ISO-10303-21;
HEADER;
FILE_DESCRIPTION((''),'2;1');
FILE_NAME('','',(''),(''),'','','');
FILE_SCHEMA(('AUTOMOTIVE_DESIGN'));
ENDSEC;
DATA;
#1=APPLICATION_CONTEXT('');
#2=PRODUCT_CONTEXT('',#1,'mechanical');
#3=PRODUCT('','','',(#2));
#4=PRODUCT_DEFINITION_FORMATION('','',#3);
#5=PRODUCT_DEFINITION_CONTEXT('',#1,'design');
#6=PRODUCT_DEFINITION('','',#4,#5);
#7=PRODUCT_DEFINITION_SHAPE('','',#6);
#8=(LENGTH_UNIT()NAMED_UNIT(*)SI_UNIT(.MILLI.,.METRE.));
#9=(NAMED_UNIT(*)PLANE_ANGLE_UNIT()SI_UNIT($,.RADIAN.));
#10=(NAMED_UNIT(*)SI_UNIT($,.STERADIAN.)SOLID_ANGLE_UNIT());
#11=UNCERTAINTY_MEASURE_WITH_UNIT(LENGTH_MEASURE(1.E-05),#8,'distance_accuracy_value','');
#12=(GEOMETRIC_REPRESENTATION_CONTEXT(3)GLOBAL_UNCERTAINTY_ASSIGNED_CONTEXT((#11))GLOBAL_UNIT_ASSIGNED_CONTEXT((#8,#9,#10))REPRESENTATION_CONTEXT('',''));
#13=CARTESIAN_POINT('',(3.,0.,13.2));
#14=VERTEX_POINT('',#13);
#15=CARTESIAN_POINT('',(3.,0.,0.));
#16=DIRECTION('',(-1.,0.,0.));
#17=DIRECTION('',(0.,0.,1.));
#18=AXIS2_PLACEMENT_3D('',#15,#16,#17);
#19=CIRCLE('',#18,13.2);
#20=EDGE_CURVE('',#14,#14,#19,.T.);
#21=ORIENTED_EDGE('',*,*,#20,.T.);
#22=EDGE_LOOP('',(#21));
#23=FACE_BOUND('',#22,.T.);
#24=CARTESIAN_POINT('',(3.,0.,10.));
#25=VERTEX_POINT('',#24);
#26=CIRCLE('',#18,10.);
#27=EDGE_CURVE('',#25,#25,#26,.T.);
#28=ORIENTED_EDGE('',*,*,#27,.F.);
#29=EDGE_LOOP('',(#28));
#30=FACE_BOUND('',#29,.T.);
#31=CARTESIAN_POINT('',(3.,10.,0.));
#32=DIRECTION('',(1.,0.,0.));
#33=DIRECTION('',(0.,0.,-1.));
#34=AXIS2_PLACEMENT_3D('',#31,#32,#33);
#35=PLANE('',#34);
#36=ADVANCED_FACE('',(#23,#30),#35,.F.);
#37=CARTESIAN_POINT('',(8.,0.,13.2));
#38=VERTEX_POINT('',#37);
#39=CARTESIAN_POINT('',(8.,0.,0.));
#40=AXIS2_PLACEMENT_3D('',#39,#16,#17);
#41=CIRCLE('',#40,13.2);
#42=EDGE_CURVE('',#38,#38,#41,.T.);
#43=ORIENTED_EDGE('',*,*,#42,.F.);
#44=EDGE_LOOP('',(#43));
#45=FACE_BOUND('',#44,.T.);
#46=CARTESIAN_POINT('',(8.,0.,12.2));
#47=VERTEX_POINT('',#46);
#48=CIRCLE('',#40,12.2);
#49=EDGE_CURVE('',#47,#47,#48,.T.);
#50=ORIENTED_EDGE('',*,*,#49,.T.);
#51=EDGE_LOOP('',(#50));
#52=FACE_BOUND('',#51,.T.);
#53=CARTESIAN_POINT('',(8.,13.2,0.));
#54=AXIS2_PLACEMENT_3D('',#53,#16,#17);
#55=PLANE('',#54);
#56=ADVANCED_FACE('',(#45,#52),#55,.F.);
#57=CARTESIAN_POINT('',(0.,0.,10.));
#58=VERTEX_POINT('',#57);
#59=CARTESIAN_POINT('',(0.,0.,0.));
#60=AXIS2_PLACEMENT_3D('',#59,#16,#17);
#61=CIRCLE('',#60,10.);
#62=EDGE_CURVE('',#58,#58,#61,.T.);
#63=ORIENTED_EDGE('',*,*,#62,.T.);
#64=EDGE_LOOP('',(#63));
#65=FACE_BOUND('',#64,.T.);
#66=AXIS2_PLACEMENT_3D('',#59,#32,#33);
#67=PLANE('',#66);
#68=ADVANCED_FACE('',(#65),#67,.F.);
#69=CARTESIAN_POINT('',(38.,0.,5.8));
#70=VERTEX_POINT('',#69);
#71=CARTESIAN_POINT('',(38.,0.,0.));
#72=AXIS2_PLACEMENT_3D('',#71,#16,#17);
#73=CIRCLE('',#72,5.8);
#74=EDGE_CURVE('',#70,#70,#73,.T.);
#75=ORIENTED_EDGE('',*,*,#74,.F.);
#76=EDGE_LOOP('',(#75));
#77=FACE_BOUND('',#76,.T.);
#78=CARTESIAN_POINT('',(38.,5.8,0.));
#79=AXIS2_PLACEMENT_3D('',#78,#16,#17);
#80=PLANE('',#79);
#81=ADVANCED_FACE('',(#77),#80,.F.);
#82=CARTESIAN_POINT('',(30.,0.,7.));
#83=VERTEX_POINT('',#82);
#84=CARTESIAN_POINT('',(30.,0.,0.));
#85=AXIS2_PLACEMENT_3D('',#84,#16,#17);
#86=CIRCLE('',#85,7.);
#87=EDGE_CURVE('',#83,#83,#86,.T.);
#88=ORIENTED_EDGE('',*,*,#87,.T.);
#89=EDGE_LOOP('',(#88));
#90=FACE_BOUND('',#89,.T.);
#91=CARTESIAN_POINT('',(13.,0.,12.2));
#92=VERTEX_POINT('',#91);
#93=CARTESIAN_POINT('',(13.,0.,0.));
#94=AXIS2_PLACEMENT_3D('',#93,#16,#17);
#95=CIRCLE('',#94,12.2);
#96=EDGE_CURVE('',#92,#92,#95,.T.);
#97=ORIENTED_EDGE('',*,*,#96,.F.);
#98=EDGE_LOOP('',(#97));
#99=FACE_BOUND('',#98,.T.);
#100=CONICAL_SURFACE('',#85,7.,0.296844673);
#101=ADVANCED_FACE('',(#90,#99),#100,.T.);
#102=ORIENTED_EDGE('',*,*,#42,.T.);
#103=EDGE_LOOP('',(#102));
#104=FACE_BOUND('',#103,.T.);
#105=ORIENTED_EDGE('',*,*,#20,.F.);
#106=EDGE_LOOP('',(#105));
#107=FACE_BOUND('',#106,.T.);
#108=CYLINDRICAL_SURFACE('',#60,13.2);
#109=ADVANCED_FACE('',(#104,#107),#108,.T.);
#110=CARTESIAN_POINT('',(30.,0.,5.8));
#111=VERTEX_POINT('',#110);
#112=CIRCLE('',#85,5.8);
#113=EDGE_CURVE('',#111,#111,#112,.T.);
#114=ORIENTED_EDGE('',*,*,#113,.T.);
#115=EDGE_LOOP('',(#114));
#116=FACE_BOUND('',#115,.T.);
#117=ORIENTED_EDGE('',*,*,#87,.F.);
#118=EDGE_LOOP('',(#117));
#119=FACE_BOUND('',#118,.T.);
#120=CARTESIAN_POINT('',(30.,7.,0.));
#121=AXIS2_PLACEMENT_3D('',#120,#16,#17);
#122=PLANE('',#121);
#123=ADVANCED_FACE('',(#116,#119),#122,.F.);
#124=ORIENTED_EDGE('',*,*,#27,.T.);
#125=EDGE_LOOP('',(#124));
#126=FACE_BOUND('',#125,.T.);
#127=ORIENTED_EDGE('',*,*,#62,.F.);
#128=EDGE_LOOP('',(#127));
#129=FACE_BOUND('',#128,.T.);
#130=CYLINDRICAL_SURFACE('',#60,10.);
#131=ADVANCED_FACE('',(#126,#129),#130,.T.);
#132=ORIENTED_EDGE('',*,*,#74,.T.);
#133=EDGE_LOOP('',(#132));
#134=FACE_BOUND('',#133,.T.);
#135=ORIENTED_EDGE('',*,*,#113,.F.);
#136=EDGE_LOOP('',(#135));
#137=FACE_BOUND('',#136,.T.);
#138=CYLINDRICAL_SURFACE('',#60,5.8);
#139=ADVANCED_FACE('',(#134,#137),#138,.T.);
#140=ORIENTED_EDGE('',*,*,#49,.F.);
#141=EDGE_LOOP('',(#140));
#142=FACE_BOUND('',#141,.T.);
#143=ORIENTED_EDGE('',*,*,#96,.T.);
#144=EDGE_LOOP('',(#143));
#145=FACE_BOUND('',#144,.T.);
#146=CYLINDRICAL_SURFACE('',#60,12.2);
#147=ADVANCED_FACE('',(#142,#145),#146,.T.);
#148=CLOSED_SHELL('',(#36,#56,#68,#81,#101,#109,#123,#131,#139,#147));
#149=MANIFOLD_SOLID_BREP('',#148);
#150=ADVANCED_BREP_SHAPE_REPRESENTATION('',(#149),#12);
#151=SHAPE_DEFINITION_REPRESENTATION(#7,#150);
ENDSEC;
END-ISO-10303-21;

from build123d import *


with BuildPart() as part:
    # 草图1 → 旋转1 (revolve)
    with BuildSketch(Plane.XY, mode=Mode.PRIVATE) as revolve_1_sk:
        Polygon((0, 0), (0, 10), (3, 10), (3, 13.2), (8, 13.2), (8, 12.2), (13, 12.2), (30, 7), (30, 5.8), (38, 5.8), (38, 0), align=None)
    revolve(revolve_1_sk.sketch.rotate(Axis((0, 0, 0), (1, 0, 0)), 90), axis=Axis((0, 0, 0), (1, 0, 0)))


solid = part.part
